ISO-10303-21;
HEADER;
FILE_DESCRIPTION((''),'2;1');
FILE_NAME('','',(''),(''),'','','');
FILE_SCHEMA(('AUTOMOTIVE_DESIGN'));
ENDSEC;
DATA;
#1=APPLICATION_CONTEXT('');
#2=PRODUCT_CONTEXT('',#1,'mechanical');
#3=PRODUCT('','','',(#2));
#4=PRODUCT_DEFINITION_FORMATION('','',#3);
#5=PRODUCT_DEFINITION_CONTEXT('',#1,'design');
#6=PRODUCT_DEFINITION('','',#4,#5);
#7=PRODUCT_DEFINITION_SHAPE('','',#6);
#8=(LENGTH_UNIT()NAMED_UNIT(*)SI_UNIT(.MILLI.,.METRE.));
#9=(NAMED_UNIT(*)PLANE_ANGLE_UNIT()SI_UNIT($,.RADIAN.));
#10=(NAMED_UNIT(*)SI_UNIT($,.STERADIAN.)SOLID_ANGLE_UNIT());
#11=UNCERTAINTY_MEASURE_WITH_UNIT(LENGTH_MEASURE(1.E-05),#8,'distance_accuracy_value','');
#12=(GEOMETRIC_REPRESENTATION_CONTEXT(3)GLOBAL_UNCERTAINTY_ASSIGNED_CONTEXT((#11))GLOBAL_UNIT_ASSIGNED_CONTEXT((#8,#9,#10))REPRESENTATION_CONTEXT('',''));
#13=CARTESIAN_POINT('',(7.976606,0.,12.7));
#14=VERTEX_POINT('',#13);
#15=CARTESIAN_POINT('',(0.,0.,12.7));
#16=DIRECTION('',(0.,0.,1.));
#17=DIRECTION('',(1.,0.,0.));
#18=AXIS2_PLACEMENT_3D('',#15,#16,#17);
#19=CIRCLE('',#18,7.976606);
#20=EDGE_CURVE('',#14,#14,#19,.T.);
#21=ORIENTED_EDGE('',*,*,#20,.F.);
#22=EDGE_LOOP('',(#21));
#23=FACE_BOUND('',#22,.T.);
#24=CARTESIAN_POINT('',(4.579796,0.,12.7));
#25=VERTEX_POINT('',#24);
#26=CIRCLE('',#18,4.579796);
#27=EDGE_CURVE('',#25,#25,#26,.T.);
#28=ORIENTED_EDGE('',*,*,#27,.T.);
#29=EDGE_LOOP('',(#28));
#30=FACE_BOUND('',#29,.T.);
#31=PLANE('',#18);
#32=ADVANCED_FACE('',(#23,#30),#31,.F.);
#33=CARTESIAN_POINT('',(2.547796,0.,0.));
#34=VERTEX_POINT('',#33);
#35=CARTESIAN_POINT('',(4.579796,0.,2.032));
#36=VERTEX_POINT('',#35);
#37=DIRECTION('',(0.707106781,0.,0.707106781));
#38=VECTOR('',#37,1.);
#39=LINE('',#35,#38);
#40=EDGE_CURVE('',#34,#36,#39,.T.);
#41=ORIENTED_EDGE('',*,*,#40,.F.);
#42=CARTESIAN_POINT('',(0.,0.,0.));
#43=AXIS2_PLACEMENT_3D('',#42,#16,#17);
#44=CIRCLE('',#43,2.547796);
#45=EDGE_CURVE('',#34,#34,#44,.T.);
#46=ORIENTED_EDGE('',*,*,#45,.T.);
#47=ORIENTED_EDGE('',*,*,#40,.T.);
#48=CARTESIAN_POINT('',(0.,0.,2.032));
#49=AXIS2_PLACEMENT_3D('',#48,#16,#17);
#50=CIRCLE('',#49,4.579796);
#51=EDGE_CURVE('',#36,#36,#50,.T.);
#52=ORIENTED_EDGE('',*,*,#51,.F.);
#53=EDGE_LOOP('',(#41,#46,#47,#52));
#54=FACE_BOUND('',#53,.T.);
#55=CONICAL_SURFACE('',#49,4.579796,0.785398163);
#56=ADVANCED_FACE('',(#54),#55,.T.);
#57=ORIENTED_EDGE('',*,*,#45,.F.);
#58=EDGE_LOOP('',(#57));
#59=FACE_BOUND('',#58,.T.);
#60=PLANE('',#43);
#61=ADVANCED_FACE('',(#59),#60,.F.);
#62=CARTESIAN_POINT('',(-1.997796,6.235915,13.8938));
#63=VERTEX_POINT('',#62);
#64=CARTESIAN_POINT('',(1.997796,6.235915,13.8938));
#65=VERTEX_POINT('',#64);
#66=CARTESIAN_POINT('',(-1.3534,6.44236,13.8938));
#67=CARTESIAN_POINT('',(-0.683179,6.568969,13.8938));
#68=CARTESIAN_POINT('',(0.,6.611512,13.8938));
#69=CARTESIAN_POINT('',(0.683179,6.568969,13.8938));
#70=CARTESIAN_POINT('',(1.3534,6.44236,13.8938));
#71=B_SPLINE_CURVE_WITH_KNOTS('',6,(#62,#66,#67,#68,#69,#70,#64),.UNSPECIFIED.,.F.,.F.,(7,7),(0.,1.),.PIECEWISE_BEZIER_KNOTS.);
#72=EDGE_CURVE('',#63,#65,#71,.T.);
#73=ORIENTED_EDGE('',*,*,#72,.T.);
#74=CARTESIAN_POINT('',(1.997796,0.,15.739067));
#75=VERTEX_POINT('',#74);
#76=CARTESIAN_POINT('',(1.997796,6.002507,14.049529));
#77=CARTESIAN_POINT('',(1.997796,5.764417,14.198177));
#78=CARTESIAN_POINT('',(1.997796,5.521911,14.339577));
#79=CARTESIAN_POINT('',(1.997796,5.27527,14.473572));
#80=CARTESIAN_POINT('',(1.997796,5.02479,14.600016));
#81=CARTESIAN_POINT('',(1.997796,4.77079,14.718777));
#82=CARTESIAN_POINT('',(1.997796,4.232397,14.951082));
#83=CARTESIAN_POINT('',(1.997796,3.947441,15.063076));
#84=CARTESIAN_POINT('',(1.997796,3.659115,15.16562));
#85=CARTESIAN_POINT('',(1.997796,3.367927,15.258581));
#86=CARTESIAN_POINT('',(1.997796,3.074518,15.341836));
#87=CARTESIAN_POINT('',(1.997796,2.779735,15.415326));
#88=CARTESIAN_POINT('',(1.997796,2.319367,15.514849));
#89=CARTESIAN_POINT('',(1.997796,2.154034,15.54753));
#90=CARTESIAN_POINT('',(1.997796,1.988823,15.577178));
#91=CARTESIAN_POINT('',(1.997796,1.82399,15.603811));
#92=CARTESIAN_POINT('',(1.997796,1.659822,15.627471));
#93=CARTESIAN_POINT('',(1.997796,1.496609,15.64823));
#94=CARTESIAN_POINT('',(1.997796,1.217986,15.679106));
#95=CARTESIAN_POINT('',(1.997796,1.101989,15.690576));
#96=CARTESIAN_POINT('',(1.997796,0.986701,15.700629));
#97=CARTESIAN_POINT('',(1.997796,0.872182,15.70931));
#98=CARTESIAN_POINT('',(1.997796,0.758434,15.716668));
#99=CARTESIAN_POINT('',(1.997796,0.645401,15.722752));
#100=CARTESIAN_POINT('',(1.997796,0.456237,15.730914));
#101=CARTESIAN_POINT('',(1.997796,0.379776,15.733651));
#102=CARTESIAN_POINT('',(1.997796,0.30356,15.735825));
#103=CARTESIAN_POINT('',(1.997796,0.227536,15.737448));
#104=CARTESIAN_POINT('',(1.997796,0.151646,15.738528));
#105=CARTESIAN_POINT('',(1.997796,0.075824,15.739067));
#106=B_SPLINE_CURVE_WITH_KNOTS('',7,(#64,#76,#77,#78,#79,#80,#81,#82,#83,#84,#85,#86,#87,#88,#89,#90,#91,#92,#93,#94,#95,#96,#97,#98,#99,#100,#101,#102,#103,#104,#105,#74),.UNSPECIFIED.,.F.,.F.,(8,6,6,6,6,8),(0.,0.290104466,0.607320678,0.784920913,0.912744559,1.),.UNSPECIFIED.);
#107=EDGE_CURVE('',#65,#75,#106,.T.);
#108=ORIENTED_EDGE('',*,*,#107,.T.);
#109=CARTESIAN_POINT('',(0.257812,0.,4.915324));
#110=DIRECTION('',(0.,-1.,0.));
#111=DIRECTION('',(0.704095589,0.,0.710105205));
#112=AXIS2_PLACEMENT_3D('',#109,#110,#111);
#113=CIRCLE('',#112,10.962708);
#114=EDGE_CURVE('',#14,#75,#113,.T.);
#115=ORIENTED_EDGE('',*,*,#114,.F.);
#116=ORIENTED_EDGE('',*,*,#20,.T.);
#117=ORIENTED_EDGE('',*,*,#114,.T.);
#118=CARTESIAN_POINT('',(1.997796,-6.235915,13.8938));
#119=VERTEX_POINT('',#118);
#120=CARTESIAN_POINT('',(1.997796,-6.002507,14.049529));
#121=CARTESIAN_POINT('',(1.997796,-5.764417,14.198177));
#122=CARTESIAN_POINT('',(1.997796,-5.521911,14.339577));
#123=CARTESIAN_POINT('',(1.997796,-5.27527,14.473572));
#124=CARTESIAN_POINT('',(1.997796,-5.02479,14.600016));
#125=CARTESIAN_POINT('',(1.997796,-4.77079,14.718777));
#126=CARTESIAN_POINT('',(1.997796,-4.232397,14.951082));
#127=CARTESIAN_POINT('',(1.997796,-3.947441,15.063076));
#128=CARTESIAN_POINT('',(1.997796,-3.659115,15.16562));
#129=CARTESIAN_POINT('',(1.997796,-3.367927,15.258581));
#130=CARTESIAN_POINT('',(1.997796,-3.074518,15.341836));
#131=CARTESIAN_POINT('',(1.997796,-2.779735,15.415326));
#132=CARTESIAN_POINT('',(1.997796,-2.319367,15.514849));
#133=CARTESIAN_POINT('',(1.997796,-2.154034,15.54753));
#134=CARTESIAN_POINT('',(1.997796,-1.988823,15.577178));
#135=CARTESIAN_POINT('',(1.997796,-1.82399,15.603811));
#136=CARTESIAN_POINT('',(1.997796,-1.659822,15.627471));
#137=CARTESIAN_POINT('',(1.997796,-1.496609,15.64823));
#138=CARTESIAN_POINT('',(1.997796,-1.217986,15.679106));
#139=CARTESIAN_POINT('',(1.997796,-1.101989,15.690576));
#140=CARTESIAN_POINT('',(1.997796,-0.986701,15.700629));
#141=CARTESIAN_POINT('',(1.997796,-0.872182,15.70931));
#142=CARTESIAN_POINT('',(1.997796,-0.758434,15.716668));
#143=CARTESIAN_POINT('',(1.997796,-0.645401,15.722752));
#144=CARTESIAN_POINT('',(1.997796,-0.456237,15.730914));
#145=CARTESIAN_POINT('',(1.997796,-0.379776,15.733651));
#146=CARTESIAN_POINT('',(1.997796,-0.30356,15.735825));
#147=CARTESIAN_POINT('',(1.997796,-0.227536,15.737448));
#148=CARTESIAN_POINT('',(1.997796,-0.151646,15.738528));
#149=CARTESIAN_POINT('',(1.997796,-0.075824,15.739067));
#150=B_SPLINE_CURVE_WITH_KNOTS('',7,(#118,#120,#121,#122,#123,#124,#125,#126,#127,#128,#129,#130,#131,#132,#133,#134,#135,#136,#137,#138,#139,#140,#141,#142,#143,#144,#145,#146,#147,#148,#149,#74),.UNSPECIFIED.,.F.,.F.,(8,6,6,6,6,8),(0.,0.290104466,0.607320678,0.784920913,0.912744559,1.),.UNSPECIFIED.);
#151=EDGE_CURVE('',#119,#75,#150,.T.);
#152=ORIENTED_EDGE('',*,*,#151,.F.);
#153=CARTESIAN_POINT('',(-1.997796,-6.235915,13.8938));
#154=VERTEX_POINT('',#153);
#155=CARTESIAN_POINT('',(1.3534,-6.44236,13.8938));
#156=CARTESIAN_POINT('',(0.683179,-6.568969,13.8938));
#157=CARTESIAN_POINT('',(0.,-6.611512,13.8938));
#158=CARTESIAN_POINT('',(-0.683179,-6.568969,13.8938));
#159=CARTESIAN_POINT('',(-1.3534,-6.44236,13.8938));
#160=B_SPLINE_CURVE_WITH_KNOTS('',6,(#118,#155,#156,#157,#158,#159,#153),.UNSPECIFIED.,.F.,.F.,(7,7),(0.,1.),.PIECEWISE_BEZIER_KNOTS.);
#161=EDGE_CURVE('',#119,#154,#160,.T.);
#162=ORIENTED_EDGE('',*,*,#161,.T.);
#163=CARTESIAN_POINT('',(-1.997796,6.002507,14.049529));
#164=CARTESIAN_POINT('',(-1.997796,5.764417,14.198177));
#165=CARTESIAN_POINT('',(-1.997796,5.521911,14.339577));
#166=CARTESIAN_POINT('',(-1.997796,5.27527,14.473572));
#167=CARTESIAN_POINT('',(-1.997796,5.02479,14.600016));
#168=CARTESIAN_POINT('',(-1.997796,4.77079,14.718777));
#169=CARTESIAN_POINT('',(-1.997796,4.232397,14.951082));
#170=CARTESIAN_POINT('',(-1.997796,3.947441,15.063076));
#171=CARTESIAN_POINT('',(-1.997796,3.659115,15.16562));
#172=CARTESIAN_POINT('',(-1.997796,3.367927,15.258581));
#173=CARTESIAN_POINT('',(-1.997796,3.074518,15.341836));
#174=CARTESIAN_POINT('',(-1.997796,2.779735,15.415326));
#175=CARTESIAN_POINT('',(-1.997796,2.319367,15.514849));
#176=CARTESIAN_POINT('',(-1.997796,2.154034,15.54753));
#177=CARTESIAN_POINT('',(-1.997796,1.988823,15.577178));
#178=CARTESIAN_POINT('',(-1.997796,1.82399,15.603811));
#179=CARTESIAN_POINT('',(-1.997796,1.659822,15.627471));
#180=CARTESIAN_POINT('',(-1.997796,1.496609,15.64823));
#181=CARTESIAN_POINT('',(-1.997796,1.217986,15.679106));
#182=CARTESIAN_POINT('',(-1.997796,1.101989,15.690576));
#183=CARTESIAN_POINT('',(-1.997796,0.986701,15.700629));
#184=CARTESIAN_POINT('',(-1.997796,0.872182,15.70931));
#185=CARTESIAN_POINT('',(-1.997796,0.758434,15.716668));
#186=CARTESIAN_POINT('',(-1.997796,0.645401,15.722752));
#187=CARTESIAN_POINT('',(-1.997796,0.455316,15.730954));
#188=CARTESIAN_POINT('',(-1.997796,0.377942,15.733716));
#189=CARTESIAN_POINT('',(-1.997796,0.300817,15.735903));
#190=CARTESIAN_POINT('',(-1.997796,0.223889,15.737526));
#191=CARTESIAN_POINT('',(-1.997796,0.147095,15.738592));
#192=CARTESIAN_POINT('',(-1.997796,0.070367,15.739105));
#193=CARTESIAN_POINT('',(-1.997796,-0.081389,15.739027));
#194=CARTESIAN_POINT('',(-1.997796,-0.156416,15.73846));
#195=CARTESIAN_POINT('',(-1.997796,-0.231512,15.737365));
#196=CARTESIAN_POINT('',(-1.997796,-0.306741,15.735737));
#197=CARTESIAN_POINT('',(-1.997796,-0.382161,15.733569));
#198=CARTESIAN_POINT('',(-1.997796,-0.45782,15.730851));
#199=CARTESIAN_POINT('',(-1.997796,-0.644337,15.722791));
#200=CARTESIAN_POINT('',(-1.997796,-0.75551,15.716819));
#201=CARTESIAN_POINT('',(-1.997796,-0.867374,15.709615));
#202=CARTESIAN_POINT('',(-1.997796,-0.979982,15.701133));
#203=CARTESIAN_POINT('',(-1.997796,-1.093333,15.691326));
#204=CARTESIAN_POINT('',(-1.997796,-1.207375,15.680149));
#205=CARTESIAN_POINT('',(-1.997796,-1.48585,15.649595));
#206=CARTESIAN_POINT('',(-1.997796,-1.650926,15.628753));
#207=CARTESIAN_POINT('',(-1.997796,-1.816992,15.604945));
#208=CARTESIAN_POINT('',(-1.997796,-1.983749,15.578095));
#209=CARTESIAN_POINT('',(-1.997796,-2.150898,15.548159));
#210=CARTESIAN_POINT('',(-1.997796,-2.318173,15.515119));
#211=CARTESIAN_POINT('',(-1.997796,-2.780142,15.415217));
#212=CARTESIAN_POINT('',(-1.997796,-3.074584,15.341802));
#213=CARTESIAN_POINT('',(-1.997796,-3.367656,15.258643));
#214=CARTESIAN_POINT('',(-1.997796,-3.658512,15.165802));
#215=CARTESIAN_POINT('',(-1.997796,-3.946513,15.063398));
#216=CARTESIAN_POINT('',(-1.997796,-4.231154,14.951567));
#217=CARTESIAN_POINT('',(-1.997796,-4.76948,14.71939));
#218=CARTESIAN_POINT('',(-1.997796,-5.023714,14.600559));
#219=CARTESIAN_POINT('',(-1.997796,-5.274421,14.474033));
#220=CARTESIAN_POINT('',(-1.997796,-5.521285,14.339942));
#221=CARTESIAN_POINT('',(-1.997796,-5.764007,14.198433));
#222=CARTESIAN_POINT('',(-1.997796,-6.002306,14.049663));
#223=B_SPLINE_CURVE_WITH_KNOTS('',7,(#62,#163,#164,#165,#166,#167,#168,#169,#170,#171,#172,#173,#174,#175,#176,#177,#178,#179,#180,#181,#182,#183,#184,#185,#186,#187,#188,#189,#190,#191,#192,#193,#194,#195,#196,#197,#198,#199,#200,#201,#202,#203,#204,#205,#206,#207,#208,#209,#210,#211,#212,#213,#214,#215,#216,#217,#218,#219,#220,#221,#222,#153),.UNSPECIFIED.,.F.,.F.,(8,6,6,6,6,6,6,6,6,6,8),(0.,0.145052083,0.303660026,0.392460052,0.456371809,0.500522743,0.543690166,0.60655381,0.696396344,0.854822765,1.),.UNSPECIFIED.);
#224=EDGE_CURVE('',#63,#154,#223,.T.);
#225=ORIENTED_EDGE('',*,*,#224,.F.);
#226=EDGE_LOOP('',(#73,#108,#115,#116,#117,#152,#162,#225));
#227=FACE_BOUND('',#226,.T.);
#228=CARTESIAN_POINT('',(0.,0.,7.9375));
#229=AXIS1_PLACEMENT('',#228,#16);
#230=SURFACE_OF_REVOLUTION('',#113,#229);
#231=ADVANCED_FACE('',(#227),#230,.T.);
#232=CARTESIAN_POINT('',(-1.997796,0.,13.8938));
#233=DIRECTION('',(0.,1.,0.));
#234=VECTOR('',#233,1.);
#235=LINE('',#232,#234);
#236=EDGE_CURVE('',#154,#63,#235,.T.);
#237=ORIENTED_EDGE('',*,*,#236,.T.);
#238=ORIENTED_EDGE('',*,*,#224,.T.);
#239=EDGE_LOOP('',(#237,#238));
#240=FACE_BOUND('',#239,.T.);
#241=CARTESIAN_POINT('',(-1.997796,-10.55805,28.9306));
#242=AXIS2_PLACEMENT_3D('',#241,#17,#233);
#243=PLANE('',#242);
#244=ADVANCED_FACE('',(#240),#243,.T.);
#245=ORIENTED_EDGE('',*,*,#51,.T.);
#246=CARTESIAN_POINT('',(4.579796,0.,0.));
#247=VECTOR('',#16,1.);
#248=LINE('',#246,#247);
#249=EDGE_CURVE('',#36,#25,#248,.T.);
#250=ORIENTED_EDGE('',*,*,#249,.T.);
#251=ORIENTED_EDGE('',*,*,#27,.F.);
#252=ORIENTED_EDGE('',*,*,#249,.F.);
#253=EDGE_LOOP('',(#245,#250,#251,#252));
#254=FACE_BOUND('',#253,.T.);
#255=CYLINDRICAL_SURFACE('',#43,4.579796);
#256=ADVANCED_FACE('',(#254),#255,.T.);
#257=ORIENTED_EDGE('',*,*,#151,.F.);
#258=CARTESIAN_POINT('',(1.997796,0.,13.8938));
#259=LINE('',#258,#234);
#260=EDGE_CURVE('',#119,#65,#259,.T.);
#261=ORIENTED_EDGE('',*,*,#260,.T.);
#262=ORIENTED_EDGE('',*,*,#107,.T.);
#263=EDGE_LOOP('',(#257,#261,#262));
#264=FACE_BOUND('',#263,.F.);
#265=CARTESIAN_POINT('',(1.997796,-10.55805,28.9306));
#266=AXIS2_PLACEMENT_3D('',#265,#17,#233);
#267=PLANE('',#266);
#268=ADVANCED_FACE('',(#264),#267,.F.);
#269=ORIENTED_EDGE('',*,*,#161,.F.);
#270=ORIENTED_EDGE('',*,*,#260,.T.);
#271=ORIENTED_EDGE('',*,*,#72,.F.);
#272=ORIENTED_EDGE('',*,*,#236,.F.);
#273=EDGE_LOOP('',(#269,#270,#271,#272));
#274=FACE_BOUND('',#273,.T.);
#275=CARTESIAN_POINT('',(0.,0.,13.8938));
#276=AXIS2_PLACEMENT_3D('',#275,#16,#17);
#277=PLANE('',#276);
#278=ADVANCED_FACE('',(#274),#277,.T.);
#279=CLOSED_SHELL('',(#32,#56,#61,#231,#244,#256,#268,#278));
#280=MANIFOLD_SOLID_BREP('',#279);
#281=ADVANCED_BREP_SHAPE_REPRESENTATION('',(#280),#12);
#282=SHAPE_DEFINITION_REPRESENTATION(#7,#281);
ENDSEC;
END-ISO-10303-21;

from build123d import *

# Parameters (mm, degrees)
F2_SIZE  = 2.032
F4_W     = 3.995592
F4_H     = 21.1161
F5_DEPTH = 15.0368


with BuildPart() as f1:
    # F0 (on Front) → F1 (revolve)
    with BuildSketch(Plane.XZ):
        with BuildLine():
            Line((0, 15.875), (0, 0))
            Line((0, 0), (4.579796, 0))
            Line((4.579796, 0), (4.579796, 12.7))
            Line((4.579796, 12.7), (7.976606, 12.7))
            ThreePointArc((7.976606, 12.7), (4.312034, 15.100816), (0, 15.875))
        make_face()
    revolve(axis=Axis((0, 0, 7.9375), (0, 0, 1)))

    # F2
    f2_edges = [f1.edges().sort_by_distance(p)[0] for p in [
        (-4.579796, 0, 0),
    ]]
    chamfer(f2_edges, length=F2_SIZE)

    # F4 (on offset) → F5 (cut)
    with BuildSketch(Plane.XY.offset(28.9306)):
        Rectangle(F4_W, F4_H)
    extrude(amount=-F5_DEPTH, mode=Mode.SUBTRACT)


solid = f1.part
